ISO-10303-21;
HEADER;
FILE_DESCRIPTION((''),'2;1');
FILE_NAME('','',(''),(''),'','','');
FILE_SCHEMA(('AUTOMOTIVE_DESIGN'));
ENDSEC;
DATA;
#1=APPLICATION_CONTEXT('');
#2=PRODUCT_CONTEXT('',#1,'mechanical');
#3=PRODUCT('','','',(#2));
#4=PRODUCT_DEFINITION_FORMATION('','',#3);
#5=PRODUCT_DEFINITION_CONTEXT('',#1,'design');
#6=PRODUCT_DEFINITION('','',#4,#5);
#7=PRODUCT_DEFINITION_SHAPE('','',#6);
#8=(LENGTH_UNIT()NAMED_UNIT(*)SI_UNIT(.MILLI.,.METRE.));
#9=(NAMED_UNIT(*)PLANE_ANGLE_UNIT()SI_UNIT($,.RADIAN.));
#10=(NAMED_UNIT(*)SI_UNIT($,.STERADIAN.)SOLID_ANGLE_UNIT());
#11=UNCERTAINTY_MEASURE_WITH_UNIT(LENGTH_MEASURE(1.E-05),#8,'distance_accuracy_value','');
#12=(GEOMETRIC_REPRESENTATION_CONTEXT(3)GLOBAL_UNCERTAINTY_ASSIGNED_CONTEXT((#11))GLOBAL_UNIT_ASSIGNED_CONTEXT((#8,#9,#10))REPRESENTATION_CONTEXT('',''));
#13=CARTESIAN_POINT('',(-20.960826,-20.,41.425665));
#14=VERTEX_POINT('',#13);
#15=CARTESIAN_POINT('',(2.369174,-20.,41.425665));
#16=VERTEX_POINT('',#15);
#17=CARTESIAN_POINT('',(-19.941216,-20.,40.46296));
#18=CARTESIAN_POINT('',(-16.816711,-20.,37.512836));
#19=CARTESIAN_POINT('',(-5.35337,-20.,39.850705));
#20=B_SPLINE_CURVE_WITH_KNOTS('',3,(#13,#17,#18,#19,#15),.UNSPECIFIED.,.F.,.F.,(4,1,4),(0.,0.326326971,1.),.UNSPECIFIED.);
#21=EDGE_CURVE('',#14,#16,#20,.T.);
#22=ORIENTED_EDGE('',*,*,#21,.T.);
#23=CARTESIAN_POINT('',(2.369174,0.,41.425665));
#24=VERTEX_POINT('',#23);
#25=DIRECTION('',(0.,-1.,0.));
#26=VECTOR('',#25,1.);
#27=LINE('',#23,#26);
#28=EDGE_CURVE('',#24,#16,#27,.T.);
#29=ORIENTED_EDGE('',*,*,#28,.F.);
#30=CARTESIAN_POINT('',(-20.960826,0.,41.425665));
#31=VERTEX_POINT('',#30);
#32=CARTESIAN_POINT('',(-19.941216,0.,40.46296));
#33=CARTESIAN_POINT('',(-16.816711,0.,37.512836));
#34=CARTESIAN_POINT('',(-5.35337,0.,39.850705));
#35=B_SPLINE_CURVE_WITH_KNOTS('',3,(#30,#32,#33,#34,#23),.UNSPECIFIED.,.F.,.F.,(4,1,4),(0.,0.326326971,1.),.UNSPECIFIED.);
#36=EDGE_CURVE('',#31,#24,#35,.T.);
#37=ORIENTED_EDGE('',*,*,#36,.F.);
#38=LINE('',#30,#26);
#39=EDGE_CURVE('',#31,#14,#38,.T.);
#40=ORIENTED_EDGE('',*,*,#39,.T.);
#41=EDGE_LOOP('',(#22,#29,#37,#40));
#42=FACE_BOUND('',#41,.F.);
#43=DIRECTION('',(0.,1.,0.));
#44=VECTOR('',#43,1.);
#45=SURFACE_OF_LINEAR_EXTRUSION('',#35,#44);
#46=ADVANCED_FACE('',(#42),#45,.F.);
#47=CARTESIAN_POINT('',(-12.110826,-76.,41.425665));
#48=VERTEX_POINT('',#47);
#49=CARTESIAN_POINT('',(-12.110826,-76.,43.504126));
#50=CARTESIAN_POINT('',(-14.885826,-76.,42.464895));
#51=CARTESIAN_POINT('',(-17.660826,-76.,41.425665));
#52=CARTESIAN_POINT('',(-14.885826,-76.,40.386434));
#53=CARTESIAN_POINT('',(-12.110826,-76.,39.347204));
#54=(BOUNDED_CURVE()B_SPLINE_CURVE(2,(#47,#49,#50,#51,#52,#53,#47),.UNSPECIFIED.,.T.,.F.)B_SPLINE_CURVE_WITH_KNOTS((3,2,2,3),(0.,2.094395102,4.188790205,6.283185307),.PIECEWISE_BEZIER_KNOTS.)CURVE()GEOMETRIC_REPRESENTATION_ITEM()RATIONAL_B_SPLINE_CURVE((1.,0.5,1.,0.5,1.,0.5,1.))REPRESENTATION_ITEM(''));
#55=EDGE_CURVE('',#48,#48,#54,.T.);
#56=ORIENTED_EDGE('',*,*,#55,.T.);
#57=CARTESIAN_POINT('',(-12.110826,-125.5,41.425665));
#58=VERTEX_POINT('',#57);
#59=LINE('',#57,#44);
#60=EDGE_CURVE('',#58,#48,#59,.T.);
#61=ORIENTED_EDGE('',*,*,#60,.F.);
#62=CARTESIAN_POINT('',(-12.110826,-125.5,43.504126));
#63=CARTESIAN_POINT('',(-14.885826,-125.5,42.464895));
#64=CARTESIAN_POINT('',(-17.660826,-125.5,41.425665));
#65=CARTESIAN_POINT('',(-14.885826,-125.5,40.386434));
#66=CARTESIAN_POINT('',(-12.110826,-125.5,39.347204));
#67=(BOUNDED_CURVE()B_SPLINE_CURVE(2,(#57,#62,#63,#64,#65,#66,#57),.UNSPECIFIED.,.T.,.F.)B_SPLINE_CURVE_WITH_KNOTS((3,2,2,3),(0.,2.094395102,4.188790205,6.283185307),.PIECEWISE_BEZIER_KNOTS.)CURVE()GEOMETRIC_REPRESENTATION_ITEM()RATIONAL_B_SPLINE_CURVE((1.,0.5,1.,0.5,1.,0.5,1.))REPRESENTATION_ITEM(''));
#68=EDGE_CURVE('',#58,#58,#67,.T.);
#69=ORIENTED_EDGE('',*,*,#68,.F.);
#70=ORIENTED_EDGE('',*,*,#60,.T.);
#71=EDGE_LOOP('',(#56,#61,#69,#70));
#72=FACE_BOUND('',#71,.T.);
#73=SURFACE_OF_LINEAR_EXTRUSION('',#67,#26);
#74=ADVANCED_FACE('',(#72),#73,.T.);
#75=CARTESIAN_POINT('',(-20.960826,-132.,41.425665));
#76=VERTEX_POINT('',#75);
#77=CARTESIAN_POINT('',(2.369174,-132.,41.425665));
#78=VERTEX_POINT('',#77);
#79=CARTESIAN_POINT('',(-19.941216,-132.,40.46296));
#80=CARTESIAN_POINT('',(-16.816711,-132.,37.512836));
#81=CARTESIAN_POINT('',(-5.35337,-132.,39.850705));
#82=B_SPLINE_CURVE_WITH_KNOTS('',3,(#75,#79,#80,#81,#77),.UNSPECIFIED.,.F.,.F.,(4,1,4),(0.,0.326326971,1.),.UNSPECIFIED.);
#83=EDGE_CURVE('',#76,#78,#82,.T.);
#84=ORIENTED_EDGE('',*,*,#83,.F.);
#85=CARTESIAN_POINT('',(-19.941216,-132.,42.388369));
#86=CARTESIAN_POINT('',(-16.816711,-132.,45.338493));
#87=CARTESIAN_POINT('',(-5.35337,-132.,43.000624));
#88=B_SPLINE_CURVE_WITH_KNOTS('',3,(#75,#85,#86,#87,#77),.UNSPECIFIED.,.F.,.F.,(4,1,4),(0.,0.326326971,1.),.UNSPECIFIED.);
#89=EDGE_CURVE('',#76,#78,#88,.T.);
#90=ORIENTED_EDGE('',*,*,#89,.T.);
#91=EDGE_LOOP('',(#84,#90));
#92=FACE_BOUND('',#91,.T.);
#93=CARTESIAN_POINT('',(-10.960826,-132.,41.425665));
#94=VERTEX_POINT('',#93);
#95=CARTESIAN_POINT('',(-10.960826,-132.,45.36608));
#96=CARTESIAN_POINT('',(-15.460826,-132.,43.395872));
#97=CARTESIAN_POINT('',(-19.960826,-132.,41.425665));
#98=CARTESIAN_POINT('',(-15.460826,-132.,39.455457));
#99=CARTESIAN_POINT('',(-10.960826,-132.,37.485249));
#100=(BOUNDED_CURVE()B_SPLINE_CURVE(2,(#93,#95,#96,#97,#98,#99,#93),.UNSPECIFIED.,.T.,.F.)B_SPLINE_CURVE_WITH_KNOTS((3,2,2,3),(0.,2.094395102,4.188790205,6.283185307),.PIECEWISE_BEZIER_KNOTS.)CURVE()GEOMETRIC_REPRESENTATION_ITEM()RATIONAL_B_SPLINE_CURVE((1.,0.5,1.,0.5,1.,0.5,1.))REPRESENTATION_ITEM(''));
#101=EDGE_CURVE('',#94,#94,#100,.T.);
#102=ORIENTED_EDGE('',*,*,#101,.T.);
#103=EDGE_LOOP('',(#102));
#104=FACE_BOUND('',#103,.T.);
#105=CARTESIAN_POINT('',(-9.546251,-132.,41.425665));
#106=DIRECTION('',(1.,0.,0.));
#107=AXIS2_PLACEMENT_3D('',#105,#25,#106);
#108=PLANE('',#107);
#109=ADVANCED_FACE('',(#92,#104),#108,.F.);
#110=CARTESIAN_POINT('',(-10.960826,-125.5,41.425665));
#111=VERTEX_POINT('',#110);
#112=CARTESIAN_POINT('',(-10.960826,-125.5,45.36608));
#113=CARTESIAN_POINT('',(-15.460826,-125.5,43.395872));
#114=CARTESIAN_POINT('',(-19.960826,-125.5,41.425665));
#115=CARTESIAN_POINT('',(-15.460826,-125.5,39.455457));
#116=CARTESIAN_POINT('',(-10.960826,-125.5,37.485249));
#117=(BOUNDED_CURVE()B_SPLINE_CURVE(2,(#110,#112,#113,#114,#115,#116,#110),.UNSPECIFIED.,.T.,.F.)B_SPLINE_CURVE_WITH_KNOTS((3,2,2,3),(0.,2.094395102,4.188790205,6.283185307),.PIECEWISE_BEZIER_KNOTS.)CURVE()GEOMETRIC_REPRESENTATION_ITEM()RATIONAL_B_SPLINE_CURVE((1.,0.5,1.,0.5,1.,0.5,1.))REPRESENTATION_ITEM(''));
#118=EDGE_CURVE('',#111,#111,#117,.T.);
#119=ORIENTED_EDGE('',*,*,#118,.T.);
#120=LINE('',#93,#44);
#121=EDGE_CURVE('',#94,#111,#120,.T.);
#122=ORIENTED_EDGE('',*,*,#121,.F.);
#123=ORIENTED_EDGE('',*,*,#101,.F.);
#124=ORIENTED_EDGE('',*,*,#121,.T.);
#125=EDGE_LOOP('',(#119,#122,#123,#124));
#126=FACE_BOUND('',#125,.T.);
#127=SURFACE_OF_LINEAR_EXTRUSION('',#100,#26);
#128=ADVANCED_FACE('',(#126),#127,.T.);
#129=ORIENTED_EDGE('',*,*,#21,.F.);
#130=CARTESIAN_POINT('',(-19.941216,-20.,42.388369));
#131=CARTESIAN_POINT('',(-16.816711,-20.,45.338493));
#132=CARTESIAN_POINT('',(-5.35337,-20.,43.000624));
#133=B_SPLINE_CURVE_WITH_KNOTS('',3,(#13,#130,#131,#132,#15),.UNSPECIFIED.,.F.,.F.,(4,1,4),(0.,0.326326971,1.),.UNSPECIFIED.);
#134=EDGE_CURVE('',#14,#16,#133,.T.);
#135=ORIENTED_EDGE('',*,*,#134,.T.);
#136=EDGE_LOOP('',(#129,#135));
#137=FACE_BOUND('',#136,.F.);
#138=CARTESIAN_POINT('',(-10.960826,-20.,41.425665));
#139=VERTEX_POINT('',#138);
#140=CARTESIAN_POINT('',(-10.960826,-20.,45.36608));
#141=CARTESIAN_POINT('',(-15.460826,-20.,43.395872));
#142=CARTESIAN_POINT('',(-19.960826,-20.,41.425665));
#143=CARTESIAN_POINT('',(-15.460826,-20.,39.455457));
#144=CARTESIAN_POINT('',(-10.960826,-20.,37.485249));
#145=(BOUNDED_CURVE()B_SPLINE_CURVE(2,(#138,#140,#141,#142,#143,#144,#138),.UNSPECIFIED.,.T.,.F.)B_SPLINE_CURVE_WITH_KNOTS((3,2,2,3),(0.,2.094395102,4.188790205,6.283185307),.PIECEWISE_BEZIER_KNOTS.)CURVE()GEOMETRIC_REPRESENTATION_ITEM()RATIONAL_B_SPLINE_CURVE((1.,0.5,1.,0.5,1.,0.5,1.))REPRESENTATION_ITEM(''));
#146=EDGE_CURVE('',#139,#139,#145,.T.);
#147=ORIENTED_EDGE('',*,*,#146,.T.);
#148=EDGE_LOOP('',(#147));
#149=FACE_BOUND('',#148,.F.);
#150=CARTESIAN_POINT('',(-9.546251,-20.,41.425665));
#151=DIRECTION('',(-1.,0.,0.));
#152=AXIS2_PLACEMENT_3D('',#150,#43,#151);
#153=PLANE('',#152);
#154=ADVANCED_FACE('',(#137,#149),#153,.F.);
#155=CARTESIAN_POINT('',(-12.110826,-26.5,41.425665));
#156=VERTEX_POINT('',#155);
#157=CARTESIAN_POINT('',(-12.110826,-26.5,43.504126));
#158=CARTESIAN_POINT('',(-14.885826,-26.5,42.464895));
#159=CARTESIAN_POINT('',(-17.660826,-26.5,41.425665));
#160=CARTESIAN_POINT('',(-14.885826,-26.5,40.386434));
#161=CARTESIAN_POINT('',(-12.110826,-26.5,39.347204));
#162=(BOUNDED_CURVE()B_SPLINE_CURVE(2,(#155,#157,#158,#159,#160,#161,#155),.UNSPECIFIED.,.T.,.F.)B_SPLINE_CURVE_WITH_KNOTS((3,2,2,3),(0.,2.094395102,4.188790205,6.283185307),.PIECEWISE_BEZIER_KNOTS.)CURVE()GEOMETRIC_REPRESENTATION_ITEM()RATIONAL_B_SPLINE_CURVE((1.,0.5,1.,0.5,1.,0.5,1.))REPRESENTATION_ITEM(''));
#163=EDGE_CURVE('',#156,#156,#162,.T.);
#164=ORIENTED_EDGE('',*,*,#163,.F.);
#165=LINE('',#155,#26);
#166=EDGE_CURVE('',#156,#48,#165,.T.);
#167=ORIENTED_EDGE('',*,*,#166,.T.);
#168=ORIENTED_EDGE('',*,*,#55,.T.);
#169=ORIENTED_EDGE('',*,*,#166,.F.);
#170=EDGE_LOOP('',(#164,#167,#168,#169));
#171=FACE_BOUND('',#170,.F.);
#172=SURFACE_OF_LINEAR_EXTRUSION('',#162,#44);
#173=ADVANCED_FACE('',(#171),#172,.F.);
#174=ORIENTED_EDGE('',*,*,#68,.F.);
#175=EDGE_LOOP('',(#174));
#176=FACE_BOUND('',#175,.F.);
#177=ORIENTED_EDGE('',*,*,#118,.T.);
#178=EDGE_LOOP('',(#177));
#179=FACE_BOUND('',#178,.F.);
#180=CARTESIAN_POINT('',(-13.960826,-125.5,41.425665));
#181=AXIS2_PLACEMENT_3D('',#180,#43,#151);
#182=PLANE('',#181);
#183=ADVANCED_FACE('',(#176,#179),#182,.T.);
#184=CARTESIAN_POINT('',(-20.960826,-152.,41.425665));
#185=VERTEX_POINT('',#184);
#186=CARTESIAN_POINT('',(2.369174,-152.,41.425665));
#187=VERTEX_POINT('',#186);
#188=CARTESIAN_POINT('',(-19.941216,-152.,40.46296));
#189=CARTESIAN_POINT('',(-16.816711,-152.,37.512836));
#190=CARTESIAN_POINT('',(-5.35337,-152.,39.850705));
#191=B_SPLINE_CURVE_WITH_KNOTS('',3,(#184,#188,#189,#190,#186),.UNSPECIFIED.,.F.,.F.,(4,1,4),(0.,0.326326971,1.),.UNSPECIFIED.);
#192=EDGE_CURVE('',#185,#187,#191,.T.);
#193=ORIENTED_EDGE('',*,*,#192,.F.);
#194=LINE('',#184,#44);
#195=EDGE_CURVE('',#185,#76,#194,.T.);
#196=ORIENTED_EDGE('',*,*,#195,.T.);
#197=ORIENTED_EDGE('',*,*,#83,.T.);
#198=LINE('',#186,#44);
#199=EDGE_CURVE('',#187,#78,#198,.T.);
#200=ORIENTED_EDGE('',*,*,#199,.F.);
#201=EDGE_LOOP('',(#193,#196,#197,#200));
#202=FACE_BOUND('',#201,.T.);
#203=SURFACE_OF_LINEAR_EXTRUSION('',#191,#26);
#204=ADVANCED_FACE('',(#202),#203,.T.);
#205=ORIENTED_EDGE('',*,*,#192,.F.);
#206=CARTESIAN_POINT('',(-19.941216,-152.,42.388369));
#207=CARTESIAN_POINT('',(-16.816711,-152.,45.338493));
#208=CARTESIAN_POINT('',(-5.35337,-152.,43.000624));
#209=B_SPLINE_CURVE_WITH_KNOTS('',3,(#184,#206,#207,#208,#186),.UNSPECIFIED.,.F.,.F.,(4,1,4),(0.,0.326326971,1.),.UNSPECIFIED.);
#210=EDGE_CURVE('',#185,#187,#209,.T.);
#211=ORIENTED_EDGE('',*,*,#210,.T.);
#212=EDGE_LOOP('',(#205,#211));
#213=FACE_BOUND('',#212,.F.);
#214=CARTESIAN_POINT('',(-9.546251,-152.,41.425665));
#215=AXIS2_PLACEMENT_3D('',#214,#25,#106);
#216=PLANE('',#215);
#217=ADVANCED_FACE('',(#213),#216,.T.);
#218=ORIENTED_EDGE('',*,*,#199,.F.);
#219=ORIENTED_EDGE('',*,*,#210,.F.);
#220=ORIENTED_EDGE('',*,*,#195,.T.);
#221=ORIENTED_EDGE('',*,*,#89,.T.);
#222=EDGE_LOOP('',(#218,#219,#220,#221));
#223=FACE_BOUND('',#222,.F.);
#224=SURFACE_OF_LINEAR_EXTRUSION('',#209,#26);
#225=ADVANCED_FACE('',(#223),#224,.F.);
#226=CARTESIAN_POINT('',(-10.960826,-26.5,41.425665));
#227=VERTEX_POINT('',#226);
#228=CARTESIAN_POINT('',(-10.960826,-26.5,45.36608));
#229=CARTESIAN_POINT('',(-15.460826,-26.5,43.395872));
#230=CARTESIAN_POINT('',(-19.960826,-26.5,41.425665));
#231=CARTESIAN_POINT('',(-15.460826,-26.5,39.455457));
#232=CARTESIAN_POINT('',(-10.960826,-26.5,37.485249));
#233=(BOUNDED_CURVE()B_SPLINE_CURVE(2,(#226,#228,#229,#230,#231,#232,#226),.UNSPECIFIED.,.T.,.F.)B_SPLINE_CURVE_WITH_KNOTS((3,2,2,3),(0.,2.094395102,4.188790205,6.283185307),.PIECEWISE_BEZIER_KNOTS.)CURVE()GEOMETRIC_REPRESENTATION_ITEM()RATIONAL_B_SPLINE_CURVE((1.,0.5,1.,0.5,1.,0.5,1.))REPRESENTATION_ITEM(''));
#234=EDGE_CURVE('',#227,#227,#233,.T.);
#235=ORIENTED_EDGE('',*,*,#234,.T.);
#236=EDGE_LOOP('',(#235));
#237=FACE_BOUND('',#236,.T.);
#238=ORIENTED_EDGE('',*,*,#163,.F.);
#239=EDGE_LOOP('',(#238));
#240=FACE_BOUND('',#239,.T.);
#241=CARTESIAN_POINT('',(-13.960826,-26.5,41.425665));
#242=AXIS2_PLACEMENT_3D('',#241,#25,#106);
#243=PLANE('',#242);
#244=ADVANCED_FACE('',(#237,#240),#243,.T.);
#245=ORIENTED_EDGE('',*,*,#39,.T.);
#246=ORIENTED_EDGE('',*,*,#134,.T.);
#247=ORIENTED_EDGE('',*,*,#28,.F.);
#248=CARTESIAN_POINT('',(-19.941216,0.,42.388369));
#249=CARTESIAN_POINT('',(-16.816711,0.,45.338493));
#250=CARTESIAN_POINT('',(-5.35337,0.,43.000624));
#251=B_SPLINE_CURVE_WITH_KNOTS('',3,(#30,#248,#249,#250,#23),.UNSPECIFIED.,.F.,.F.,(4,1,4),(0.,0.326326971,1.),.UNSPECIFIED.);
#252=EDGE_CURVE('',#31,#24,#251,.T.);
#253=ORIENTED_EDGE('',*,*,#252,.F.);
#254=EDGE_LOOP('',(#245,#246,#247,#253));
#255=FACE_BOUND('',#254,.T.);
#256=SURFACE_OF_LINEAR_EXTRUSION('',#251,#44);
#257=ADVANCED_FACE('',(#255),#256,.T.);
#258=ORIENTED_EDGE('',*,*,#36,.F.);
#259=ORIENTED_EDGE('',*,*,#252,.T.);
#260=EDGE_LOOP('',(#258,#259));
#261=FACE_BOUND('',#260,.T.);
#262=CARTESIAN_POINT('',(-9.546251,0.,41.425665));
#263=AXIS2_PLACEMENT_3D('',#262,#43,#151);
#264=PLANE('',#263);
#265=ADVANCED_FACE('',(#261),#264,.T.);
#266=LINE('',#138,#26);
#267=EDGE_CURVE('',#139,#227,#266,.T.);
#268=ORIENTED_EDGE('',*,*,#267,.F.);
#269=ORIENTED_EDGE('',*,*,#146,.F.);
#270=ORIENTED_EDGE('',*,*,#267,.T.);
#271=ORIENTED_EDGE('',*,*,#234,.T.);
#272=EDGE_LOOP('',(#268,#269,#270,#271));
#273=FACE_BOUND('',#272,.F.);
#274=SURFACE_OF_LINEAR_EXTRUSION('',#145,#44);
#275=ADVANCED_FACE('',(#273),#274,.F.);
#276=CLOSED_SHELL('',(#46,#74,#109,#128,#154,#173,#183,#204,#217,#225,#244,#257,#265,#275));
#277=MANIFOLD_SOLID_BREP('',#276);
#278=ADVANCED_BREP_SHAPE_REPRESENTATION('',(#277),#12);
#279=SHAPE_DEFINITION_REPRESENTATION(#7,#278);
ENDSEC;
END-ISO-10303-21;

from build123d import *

# Parameters (mm, degrees)
F1_DEPTH = 20
F3_DEPTH = 6.5
F5_DEPTH = 49.5


with BuildPart() as f1:
    # F0 (on Front) → F1 (new body)
    with BuildSketch(Plane.XZ):
        with BuildLine():
            add(Edge.make_bspline(
                [(-20.9608258465, 41.4256645382), (-19.941215744, 42.3883693978), (-16.8167112057, 45.3384928772), (-5.353369783, 43.000623848), (2.3691741535, 41.4256645382)],
                knots=[0, 0, 0, 0, 0.3263269712, 1, 1, 1, 1], degree=3))
            add(Edge.make_bspline(
                [(-20.9608258465, 41.4256645382), (-19.941215744, 40.4629596785), (-16.8167112057, 37.5128361991), (-5.353369783, 39.8507052283), (2.3691741535, 41.4256645382)],
                knots=[0, 0, 0, 0, 0.3263269712, 1, 1, 1, 1], degree=3))
        make_face()
    extrude(amount=F1_DEPTH)

    # F2 (on face) → F3 (join)
    with BuildSketch(Plane.XZ.offset(20)):
        with BuildLine():
            add(Edge.make_bspline(
                [(-10.9608258465, 41.4256645382), (-10.9608258465, 45.3660801254), (-15.4608258465, 43.3958723318), (-19.9608258465, 41.4256645382), (-15.4608258465, 39.4554567445), (-10.9608258465, 37.4852489509), (-10.9608258465, 41.4256645382)],
                knots=[0, 0, 0, 2.0943951024, 2.0943951024, 4.1887902048, 4.1887902048, 6.2831853072, 6.2831853072, 6.2831853072], degree=2, weights=[1, 0.5, 1, 0.5, 1, 0.5, 1]))
        make_face()
    extrude(amount=F3_DEPTH)

    # F4 (on face) → F5 (join)
    with BuildSketch(Plane.XZ.offset(26.5)):
        with BuildLine():
            add(Edge.make_bspline(
                [(-12.1108258465, 41.4256645382), (-12.1108258465, 43.5041255072), (-14.8858258465, 42.4648950227), (-17.6608258465, 41.4256645382), (-14.8858258465, 40.3864340536), (-12.1108258465, 39.3472035691), (-12.1108258465, 41.4256645382)],
                knots=[0, 0, 0, 2.0943951024, 2.0943951024, 4.1887902048, 4.1887902048, 6.2831853072, 6.2831853072, 6.2831853072], degree=2, weights=[1, 0.5, 1, 0.5, 1, 0.5, 1]))
        make_face()
    extrude(amount=F5_DEPTH)

    # F6: F1 across face


with BuildPart() as f1_1:
    add(f1.part)
    add(f1.part.mirror(Plane(origin=(-13.9510010452, -76, 41.4256645382), x_dir=(1, 0, 0), z_dir=(0, -1, 0))))


solid = f1_1.part
